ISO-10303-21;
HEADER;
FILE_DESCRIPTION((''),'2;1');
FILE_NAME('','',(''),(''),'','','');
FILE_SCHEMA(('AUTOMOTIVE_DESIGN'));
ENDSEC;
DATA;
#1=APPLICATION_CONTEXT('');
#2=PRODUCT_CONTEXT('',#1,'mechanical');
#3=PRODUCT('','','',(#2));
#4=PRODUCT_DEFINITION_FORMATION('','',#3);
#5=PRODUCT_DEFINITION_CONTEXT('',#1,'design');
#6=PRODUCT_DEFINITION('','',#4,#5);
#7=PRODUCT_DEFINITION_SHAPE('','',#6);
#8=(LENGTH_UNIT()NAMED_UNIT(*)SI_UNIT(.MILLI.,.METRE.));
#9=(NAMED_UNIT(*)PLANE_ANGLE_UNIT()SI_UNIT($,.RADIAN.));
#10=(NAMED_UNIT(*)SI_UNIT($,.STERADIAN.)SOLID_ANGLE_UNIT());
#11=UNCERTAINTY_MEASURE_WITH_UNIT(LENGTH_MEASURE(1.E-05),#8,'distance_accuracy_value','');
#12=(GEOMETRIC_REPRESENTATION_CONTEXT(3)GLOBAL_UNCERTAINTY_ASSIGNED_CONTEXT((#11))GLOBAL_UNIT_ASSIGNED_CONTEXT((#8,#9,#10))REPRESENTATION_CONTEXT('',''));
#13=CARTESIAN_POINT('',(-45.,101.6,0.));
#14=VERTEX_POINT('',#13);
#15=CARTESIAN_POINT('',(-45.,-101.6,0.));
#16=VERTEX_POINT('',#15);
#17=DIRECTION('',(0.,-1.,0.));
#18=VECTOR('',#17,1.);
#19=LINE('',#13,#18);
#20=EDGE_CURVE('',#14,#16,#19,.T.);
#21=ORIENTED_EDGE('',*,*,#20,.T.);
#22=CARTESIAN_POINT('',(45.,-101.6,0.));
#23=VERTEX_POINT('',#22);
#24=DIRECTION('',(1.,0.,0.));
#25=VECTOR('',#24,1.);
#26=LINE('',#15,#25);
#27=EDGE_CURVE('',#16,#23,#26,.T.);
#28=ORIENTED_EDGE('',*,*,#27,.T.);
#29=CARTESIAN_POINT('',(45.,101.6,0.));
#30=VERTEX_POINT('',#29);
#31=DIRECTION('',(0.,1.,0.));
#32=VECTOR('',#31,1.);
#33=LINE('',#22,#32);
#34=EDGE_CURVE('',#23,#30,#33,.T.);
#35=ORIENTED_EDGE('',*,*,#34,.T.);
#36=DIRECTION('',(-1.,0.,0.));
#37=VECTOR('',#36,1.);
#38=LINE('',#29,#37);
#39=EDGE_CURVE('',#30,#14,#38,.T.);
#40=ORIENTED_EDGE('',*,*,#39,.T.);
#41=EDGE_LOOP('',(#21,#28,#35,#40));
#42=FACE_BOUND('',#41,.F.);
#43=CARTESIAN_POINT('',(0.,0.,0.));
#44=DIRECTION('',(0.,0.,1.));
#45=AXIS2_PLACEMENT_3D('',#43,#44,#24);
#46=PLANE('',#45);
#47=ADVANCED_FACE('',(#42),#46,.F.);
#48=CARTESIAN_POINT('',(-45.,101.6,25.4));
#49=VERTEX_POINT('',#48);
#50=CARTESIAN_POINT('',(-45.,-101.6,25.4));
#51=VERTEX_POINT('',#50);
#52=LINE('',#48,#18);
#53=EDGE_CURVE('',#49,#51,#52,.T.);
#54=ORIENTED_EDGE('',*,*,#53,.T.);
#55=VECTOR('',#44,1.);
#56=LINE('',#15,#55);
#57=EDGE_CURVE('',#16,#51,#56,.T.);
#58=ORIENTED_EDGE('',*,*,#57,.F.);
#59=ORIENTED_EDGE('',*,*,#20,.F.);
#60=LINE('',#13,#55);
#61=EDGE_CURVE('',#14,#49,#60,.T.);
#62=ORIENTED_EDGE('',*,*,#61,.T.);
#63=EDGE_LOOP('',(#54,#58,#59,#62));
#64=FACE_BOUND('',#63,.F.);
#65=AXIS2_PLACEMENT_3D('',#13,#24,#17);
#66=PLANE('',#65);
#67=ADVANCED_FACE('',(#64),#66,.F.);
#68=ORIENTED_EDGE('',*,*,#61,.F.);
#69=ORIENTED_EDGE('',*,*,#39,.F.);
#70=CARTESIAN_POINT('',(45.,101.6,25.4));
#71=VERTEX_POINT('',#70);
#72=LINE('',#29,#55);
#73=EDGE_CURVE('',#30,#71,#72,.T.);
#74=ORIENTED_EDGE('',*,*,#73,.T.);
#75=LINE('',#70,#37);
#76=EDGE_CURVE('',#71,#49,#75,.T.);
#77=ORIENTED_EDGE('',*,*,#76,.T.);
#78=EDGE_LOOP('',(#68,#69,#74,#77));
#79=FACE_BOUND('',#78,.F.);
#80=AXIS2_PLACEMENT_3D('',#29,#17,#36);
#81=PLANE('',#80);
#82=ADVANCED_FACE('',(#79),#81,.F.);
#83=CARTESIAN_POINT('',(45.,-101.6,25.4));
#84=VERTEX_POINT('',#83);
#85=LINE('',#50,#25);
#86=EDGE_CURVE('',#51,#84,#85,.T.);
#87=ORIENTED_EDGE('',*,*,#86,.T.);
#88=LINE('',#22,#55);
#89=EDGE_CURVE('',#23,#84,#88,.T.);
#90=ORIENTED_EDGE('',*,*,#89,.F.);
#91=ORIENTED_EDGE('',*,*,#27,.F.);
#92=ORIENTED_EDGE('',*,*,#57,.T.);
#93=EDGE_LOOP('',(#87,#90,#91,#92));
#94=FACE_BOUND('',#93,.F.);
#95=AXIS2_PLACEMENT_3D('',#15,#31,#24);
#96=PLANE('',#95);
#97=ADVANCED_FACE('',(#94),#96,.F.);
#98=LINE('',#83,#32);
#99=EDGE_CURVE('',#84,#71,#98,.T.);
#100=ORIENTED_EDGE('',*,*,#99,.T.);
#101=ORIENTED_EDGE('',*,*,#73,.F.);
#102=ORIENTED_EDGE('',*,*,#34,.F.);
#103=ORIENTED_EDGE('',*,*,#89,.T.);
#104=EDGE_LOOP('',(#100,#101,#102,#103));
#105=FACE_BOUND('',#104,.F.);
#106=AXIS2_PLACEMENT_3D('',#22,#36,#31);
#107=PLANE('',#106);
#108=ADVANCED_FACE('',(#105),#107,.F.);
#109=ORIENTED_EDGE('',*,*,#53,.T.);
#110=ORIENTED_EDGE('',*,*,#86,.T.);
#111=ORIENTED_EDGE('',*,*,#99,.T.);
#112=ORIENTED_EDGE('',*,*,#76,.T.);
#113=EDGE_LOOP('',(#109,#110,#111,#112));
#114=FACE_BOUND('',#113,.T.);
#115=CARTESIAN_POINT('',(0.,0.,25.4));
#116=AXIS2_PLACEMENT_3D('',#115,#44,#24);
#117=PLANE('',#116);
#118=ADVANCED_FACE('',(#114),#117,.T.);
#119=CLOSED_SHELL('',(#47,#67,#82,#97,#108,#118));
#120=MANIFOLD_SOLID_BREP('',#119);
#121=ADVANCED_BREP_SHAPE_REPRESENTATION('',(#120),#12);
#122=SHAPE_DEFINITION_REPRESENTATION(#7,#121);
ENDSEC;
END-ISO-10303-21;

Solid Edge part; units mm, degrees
sketch "Sketch1" plane through (0, 0, 0) normal (0, 0, 1) x (1, 0, 0)
  line L0 (45, -101.6) -> (45, 101.6)
  line L1 (45, 101.6) -> (-45, 101.6)
  line L2 (-45, 101.6) -> (-45, -101.6)
  line L3 (-45, -101.6) -> (45, -101.6)
extrude "ExtrudedProtrusion_1" add sketch "Sketch1" along normal blind 25.4
